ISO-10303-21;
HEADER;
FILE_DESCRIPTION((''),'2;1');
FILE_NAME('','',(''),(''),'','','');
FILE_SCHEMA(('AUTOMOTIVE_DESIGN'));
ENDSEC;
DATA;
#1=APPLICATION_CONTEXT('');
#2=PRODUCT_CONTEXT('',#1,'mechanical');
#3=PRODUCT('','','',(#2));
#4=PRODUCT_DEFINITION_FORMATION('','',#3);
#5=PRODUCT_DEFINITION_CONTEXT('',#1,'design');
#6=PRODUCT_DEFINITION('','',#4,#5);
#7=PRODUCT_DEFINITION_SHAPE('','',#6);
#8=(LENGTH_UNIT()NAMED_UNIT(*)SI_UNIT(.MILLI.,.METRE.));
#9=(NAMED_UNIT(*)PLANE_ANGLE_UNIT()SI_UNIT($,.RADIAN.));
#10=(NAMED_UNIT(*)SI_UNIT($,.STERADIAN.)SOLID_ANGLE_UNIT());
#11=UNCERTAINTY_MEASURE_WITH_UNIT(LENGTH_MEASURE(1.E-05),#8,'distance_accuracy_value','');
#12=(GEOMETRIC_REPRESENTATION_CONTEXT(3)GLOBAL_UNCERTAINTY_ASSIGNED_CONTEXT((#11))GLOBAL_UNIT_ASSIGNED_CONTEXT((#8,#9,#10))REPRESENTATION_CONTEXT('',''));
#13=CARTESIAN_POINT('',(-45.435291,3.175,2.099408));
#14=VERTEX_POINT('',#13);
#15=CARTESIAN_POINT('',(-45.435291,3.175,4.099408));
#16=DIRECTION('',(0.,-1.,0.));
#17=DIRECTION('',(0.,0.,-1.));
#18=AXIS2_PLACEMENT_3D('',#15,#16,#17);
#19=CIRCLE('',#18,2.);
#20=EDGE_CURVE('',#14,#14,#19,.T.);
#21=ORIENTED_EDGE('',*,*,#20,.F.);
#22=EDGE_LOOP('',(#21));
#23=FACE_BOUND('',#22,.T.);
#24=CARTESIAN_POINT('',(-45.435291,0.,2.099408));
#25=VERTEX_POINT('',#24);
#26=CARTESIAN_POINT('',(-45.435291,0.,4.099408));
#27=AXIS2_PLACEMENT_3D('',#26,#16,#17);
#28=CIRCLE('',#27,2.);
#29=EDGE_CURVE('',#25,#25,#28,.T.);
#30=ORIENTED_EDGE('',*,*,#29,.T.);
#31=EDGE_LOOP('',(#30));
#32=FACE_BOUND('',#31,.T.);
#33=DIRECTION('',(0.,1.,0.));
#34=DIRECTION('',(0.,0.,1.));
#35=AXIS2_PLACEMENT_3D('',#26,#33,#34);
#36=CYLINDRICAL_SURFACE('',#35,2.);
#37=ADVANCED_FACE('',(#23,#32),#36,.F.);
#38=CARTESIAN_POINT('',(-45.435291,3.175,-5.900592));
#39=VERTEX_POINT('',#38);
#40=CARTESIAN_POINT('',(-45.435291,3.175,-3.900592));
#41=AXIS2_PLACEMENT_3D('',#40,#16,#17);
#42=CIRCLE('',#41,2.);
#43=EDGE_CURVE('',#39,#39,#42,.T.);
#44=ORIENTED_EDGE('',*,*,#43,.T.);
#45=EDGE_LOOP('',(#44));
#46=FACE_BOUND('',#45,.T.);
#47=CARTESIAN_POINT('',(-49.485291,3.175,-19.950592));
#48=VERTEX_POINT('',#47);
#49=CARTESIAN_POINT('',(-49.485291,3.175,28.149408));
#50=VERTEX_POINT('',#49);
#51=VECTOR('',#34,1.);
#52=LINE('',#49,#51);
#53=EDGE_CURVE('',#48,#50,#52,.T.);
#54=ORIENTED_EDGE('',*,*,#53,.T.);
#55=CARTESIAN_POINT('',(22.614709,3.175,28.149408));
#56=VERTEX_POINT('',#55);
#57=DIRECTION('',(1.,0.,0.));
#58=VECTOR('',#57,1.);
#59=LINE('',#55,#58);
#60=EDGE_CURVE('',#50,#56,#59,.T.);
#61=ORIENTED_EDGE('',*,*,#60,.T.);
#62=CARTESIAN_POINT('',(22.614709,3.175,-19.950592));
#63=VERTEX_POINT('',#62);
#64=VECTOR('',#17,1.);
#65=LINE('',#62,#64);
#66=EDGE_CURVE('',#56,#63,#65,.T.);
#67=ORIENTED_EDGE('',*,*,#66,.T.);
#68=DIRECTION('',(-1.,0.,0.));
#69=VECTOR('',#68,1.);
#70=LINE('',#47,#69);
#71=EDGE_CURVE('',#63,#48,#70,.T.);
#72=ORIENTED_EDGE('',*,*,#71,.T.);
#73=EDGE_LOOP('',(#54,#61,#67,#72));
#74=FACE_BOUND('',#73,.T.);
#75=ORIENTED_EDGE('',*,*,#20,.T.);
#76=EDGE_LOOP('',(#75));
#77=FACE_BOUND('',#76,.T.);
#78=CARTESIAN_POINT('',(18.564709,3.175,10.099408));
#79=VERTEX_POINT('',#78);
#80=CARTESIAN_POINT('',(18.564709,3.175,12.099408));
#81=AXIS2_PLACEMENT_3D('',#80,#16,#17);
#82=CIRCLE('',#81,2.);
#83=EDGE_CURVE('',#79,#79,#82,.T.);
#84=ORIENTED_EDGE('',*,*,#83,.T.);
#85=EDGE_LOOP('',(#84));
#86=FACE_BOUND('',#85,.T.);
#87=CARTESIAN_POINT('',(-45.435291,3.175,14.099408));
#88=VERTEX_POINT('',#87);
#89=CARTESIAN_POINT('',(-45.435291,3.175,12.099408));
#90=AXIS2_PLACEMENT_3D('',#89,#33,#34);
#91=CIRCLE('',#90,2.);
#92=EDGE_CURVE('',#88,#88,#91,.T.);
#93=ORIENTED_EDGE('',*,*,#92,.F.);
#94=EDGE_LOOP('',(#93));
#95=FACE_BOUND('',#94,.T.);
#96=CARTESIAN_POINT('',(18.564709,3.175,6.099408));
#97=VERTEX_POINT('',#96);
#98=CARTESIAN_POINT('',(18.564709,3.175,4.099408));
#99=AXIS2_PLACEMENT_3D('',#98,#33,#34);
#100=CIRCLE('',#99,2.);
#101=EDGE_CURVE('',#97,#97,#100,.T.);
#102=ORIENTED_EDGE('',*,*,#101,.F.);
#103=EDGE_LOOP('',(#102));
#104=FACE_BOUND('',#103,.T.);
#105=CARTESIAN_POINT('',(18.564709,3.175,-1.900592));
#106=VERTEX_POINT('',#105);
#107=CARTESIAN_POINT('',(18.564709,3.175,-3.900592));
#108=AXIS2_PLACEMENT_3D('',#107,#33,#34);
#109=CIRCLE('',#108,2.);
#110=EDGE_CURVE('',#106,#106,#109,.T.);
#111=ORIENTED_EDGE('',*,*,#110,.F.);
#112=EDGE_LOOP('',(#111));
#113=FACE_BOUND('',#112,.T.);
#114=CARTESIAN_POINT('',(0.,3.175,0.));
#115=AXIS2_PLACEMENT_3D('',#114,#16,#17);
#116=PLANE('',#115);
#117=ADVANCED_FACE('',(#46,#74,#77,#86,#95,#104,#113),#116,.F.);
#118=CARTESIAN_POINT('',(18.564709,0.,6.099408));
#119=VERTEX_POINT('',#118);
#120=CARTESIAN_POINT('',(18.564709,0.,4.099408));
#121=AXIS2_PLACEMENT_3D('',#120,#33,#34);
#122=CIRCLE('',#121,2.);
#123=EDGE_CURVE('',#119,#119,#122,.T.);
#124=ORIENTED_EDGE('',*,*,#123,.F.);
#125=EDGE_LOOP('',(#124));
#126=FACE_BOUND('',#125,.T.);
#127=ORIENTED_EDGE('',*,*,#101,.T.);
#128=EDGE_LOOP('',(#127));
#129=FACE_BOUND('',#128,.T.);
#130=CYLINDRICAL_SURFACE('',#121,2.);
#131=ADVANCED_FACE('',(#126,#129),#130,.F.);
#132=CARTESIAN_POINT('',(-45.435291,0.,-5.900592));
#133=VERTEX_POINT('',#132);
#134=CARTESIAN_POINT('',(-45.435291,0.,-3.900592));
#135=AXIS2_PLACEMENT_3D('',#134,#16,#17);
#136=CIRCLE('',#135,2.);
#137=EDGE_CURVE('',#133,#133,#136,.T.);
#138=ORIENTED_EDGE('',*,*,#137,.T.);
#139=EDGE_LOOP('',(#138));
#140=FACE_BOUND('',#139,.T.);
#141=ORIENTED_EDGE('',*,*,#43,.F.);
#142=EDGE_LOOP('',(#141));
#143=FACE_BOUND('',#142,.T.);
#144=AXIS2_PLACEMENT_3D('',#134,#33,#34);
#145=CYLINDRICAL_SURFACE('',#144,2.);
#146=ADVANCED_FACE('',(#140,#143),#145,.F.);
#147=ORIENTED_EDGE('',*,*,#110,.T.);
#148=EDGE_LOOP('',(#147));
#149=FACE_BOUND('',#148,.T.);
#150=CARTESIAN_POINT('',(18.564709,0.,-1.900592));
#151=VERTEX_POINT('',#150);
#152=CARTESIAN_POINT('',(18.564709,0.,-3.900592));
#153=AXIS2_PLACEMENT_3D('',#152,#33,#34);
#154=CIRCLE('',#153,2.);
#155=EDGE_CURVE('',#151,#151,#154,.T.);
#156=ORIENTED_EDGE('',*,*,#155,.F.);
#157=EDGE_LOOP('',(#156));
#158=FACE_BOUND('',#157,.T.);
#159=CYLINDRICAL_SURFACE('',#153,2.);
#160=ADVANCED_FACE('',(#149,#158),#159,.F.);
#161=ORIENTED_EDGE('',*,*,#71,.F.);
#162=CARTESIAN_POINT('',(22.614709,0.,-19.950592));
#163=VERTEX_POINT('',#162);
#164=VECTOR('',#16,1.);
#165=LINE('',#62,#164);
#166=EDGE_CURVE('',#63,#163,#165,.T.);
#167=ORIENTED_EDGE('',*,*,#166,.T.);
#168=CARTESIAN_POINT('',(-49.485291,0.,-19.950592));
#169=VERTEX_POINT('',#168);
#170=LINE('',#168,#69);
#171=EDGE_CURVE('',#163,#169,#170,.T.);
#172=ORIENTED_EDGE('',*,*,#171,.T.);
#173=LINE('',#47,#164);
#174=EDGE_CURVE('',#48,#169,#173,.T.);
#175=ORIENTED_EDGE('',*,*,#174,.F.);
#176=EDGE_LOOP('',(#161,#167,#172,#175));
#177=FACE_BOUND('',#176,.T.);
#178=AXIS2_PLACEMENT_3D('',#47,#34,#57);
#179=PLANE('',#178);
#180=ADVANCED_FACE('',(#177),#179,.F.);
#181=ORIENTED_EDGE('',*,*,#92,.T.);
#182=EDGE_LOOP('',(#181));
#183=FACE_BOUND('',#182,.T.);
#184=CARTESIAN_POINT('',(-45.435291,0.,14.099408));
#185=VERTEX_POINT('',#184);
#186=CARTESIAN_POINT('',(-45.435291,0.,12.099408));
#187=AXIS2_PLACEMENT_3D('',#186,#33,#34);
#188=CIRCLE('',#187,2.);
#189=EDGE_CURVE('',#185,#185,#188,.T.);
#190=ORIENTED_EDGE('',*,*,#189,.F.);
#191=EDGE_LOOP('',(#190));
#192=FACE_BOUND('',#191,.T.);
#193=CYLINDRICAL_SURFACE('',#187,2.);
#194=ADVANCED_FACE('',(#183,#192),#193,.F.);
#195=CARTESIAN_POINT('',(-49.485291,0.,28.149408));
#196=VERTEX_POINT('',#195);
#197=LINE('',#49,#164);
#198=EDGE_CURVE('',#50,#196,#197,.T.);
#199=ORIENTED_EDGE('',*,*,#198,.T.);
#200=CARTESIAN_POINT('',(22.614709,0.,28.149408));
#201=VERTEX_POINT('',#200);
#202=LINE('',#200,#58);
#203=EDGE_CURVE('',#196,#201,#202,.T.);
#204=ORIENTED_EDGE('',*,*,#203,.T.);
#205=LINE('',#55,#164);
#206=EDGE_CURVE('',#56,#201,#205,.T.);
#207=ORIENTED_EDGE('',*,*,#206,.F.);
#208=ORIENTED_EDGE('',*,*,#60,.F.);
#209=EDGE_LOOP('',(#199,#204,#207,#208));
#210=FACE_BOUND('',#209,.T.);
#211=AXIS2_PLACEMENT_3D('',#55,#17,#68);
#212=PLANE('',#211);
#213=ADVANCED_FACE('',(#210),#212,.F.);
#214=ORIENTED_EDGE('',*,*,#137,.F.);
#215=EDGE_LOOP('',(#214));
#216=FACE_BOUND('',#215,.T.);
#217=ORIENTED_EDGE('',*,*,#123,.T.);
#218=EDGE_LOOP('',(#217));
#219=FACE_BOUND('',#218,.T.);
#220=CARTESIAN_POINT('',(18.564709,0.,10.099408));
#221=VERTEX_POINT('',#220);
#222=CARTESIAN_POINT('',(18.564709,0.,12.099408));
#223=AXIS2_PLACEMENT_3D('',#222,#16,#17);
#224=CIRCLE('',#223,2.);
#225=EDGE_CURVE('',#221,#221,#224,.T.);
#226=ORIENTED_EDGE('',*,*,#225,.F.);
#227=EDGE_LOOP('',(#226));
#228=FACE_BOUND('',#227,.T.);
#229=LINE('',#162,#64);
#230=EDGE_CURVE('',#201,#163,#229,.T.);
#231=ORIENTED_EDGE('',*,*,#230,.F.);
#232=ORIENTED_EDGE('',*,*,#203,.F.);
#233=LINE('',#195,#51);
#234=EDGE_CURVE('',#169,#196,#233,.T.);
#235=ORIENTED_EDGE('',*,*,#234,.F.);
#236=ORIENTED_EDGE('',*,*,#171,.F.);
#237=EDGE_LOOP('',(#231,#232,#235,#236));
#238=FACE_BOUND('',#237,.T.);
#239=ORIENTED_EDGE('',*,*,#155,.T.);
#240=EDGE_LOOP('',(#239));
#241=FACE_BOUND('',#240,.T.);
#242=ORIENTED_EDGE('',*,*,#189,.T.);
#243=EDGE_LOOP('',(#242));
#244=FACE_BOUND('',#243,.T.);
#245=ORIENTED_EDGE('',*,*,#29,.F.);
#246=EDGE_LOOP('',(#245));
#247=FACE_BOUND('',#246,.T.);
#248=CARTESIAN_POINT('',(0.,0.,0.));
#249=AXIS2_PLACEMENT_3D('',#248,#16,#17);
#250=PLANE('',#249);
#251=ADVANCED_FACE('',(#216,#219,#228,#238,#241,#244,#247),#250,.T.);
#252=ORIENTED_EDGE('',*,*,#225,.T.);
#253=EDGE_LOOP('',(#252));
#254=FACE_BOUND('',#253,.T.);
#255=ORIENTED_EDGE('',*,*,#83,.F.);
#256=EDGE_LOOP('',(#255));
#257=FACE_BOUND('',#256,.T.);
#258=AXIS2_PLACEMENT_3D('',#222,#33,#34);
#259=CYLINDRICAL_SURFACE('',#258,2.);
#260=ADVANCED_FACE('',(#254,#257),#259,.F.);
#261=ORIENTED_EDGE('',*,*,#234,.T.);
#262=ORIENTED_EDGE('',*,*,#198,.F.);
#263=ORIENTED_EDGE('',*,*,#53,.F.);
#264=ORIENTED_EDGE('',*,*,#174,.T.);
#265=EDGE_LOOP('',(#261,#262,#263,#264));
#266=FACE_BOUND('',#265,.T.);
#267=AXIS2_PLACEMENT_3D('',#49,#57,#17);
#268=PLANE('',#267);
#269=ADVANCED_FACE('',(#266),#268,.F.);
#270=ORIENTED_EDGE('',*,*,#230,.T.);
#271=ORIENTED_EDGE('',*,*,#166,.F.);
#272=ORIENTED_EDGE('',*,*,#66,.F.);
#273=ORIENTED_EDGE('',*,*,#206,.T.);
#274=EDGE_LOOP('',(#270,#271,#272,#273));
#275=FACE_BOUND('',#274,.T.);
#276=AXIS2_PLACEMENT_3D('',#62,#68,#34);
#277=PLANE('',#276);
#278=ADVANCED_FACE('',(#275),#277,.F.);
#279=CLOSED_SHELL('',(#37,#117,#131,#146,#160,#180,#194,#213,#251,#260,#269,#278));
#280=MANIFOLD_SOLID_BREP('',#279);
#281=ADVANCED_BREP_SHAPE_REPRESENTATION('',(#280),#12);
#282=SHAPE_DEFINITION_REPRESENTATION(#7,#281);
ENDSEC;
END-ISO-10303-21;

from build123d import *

# Parameters (mm, degrees)
SKETCH2_W           = 72.1
SKETCH2_H           = 48.1
BOSS_EXTRUDE1_DEPTH = 3.175
SKETCH3_R           = 2
CUT_EXTRUDE1_DEPTH  = 3.175


with BuildPart() as part:
    # Sketch2 → Boss-Extrude1 (new body)
    with BuildSketch(Plane(origin=(0, 0, 0), x_dir=(1, 0, 0), z_dir=(0, 1, 0))):
        with Locations((-13.435291078, -4.09940834)):
            Rectangle(SKETCH2_W, SKETCH2_H)
    extrude(amount=BOSS_EXTRUDE1_DEPTH)

    # Sketch3 → Cut-Extrude1 (cut)
    with BuildSketch(Plane(origin=(0, 3.175, 0), x_dir=(1, 0, 0), z_dir=(0, 1, 0))):
        with Locations(Location((18.564708922, -4.09940834, 0), (0, 0, 270))):
            Circle(SKETCH3_R)
        with Locations(Location((18.564708922, 3.90059166, 0), (0, 0, 270))):
            Circle(SKETCH3_R)
        with Locations(Location((18.564708922, -12.09940834, 0), (0, 0, 90))):
            Circle(SKETCH3_R)
        with Locations(Location((-45.435291078, -12.09940834, 0), (0, 0, 270))):
            Circle(SKETCH3_R)
        with Locations(Location((-45.435291078, -4.09940834, 0), (0, 0, 90))):
            Circle(SKETCH3_R)
        with Locations(Location((-45.435291078, 3.90059166, 0), (0, 0, 90))):
            Circle(SKETCH3_R)
    extrude(amount=-CUT_EXTRUDE1_DEPTH, mode=Mode.SUBTRACT)


solid = part.part
